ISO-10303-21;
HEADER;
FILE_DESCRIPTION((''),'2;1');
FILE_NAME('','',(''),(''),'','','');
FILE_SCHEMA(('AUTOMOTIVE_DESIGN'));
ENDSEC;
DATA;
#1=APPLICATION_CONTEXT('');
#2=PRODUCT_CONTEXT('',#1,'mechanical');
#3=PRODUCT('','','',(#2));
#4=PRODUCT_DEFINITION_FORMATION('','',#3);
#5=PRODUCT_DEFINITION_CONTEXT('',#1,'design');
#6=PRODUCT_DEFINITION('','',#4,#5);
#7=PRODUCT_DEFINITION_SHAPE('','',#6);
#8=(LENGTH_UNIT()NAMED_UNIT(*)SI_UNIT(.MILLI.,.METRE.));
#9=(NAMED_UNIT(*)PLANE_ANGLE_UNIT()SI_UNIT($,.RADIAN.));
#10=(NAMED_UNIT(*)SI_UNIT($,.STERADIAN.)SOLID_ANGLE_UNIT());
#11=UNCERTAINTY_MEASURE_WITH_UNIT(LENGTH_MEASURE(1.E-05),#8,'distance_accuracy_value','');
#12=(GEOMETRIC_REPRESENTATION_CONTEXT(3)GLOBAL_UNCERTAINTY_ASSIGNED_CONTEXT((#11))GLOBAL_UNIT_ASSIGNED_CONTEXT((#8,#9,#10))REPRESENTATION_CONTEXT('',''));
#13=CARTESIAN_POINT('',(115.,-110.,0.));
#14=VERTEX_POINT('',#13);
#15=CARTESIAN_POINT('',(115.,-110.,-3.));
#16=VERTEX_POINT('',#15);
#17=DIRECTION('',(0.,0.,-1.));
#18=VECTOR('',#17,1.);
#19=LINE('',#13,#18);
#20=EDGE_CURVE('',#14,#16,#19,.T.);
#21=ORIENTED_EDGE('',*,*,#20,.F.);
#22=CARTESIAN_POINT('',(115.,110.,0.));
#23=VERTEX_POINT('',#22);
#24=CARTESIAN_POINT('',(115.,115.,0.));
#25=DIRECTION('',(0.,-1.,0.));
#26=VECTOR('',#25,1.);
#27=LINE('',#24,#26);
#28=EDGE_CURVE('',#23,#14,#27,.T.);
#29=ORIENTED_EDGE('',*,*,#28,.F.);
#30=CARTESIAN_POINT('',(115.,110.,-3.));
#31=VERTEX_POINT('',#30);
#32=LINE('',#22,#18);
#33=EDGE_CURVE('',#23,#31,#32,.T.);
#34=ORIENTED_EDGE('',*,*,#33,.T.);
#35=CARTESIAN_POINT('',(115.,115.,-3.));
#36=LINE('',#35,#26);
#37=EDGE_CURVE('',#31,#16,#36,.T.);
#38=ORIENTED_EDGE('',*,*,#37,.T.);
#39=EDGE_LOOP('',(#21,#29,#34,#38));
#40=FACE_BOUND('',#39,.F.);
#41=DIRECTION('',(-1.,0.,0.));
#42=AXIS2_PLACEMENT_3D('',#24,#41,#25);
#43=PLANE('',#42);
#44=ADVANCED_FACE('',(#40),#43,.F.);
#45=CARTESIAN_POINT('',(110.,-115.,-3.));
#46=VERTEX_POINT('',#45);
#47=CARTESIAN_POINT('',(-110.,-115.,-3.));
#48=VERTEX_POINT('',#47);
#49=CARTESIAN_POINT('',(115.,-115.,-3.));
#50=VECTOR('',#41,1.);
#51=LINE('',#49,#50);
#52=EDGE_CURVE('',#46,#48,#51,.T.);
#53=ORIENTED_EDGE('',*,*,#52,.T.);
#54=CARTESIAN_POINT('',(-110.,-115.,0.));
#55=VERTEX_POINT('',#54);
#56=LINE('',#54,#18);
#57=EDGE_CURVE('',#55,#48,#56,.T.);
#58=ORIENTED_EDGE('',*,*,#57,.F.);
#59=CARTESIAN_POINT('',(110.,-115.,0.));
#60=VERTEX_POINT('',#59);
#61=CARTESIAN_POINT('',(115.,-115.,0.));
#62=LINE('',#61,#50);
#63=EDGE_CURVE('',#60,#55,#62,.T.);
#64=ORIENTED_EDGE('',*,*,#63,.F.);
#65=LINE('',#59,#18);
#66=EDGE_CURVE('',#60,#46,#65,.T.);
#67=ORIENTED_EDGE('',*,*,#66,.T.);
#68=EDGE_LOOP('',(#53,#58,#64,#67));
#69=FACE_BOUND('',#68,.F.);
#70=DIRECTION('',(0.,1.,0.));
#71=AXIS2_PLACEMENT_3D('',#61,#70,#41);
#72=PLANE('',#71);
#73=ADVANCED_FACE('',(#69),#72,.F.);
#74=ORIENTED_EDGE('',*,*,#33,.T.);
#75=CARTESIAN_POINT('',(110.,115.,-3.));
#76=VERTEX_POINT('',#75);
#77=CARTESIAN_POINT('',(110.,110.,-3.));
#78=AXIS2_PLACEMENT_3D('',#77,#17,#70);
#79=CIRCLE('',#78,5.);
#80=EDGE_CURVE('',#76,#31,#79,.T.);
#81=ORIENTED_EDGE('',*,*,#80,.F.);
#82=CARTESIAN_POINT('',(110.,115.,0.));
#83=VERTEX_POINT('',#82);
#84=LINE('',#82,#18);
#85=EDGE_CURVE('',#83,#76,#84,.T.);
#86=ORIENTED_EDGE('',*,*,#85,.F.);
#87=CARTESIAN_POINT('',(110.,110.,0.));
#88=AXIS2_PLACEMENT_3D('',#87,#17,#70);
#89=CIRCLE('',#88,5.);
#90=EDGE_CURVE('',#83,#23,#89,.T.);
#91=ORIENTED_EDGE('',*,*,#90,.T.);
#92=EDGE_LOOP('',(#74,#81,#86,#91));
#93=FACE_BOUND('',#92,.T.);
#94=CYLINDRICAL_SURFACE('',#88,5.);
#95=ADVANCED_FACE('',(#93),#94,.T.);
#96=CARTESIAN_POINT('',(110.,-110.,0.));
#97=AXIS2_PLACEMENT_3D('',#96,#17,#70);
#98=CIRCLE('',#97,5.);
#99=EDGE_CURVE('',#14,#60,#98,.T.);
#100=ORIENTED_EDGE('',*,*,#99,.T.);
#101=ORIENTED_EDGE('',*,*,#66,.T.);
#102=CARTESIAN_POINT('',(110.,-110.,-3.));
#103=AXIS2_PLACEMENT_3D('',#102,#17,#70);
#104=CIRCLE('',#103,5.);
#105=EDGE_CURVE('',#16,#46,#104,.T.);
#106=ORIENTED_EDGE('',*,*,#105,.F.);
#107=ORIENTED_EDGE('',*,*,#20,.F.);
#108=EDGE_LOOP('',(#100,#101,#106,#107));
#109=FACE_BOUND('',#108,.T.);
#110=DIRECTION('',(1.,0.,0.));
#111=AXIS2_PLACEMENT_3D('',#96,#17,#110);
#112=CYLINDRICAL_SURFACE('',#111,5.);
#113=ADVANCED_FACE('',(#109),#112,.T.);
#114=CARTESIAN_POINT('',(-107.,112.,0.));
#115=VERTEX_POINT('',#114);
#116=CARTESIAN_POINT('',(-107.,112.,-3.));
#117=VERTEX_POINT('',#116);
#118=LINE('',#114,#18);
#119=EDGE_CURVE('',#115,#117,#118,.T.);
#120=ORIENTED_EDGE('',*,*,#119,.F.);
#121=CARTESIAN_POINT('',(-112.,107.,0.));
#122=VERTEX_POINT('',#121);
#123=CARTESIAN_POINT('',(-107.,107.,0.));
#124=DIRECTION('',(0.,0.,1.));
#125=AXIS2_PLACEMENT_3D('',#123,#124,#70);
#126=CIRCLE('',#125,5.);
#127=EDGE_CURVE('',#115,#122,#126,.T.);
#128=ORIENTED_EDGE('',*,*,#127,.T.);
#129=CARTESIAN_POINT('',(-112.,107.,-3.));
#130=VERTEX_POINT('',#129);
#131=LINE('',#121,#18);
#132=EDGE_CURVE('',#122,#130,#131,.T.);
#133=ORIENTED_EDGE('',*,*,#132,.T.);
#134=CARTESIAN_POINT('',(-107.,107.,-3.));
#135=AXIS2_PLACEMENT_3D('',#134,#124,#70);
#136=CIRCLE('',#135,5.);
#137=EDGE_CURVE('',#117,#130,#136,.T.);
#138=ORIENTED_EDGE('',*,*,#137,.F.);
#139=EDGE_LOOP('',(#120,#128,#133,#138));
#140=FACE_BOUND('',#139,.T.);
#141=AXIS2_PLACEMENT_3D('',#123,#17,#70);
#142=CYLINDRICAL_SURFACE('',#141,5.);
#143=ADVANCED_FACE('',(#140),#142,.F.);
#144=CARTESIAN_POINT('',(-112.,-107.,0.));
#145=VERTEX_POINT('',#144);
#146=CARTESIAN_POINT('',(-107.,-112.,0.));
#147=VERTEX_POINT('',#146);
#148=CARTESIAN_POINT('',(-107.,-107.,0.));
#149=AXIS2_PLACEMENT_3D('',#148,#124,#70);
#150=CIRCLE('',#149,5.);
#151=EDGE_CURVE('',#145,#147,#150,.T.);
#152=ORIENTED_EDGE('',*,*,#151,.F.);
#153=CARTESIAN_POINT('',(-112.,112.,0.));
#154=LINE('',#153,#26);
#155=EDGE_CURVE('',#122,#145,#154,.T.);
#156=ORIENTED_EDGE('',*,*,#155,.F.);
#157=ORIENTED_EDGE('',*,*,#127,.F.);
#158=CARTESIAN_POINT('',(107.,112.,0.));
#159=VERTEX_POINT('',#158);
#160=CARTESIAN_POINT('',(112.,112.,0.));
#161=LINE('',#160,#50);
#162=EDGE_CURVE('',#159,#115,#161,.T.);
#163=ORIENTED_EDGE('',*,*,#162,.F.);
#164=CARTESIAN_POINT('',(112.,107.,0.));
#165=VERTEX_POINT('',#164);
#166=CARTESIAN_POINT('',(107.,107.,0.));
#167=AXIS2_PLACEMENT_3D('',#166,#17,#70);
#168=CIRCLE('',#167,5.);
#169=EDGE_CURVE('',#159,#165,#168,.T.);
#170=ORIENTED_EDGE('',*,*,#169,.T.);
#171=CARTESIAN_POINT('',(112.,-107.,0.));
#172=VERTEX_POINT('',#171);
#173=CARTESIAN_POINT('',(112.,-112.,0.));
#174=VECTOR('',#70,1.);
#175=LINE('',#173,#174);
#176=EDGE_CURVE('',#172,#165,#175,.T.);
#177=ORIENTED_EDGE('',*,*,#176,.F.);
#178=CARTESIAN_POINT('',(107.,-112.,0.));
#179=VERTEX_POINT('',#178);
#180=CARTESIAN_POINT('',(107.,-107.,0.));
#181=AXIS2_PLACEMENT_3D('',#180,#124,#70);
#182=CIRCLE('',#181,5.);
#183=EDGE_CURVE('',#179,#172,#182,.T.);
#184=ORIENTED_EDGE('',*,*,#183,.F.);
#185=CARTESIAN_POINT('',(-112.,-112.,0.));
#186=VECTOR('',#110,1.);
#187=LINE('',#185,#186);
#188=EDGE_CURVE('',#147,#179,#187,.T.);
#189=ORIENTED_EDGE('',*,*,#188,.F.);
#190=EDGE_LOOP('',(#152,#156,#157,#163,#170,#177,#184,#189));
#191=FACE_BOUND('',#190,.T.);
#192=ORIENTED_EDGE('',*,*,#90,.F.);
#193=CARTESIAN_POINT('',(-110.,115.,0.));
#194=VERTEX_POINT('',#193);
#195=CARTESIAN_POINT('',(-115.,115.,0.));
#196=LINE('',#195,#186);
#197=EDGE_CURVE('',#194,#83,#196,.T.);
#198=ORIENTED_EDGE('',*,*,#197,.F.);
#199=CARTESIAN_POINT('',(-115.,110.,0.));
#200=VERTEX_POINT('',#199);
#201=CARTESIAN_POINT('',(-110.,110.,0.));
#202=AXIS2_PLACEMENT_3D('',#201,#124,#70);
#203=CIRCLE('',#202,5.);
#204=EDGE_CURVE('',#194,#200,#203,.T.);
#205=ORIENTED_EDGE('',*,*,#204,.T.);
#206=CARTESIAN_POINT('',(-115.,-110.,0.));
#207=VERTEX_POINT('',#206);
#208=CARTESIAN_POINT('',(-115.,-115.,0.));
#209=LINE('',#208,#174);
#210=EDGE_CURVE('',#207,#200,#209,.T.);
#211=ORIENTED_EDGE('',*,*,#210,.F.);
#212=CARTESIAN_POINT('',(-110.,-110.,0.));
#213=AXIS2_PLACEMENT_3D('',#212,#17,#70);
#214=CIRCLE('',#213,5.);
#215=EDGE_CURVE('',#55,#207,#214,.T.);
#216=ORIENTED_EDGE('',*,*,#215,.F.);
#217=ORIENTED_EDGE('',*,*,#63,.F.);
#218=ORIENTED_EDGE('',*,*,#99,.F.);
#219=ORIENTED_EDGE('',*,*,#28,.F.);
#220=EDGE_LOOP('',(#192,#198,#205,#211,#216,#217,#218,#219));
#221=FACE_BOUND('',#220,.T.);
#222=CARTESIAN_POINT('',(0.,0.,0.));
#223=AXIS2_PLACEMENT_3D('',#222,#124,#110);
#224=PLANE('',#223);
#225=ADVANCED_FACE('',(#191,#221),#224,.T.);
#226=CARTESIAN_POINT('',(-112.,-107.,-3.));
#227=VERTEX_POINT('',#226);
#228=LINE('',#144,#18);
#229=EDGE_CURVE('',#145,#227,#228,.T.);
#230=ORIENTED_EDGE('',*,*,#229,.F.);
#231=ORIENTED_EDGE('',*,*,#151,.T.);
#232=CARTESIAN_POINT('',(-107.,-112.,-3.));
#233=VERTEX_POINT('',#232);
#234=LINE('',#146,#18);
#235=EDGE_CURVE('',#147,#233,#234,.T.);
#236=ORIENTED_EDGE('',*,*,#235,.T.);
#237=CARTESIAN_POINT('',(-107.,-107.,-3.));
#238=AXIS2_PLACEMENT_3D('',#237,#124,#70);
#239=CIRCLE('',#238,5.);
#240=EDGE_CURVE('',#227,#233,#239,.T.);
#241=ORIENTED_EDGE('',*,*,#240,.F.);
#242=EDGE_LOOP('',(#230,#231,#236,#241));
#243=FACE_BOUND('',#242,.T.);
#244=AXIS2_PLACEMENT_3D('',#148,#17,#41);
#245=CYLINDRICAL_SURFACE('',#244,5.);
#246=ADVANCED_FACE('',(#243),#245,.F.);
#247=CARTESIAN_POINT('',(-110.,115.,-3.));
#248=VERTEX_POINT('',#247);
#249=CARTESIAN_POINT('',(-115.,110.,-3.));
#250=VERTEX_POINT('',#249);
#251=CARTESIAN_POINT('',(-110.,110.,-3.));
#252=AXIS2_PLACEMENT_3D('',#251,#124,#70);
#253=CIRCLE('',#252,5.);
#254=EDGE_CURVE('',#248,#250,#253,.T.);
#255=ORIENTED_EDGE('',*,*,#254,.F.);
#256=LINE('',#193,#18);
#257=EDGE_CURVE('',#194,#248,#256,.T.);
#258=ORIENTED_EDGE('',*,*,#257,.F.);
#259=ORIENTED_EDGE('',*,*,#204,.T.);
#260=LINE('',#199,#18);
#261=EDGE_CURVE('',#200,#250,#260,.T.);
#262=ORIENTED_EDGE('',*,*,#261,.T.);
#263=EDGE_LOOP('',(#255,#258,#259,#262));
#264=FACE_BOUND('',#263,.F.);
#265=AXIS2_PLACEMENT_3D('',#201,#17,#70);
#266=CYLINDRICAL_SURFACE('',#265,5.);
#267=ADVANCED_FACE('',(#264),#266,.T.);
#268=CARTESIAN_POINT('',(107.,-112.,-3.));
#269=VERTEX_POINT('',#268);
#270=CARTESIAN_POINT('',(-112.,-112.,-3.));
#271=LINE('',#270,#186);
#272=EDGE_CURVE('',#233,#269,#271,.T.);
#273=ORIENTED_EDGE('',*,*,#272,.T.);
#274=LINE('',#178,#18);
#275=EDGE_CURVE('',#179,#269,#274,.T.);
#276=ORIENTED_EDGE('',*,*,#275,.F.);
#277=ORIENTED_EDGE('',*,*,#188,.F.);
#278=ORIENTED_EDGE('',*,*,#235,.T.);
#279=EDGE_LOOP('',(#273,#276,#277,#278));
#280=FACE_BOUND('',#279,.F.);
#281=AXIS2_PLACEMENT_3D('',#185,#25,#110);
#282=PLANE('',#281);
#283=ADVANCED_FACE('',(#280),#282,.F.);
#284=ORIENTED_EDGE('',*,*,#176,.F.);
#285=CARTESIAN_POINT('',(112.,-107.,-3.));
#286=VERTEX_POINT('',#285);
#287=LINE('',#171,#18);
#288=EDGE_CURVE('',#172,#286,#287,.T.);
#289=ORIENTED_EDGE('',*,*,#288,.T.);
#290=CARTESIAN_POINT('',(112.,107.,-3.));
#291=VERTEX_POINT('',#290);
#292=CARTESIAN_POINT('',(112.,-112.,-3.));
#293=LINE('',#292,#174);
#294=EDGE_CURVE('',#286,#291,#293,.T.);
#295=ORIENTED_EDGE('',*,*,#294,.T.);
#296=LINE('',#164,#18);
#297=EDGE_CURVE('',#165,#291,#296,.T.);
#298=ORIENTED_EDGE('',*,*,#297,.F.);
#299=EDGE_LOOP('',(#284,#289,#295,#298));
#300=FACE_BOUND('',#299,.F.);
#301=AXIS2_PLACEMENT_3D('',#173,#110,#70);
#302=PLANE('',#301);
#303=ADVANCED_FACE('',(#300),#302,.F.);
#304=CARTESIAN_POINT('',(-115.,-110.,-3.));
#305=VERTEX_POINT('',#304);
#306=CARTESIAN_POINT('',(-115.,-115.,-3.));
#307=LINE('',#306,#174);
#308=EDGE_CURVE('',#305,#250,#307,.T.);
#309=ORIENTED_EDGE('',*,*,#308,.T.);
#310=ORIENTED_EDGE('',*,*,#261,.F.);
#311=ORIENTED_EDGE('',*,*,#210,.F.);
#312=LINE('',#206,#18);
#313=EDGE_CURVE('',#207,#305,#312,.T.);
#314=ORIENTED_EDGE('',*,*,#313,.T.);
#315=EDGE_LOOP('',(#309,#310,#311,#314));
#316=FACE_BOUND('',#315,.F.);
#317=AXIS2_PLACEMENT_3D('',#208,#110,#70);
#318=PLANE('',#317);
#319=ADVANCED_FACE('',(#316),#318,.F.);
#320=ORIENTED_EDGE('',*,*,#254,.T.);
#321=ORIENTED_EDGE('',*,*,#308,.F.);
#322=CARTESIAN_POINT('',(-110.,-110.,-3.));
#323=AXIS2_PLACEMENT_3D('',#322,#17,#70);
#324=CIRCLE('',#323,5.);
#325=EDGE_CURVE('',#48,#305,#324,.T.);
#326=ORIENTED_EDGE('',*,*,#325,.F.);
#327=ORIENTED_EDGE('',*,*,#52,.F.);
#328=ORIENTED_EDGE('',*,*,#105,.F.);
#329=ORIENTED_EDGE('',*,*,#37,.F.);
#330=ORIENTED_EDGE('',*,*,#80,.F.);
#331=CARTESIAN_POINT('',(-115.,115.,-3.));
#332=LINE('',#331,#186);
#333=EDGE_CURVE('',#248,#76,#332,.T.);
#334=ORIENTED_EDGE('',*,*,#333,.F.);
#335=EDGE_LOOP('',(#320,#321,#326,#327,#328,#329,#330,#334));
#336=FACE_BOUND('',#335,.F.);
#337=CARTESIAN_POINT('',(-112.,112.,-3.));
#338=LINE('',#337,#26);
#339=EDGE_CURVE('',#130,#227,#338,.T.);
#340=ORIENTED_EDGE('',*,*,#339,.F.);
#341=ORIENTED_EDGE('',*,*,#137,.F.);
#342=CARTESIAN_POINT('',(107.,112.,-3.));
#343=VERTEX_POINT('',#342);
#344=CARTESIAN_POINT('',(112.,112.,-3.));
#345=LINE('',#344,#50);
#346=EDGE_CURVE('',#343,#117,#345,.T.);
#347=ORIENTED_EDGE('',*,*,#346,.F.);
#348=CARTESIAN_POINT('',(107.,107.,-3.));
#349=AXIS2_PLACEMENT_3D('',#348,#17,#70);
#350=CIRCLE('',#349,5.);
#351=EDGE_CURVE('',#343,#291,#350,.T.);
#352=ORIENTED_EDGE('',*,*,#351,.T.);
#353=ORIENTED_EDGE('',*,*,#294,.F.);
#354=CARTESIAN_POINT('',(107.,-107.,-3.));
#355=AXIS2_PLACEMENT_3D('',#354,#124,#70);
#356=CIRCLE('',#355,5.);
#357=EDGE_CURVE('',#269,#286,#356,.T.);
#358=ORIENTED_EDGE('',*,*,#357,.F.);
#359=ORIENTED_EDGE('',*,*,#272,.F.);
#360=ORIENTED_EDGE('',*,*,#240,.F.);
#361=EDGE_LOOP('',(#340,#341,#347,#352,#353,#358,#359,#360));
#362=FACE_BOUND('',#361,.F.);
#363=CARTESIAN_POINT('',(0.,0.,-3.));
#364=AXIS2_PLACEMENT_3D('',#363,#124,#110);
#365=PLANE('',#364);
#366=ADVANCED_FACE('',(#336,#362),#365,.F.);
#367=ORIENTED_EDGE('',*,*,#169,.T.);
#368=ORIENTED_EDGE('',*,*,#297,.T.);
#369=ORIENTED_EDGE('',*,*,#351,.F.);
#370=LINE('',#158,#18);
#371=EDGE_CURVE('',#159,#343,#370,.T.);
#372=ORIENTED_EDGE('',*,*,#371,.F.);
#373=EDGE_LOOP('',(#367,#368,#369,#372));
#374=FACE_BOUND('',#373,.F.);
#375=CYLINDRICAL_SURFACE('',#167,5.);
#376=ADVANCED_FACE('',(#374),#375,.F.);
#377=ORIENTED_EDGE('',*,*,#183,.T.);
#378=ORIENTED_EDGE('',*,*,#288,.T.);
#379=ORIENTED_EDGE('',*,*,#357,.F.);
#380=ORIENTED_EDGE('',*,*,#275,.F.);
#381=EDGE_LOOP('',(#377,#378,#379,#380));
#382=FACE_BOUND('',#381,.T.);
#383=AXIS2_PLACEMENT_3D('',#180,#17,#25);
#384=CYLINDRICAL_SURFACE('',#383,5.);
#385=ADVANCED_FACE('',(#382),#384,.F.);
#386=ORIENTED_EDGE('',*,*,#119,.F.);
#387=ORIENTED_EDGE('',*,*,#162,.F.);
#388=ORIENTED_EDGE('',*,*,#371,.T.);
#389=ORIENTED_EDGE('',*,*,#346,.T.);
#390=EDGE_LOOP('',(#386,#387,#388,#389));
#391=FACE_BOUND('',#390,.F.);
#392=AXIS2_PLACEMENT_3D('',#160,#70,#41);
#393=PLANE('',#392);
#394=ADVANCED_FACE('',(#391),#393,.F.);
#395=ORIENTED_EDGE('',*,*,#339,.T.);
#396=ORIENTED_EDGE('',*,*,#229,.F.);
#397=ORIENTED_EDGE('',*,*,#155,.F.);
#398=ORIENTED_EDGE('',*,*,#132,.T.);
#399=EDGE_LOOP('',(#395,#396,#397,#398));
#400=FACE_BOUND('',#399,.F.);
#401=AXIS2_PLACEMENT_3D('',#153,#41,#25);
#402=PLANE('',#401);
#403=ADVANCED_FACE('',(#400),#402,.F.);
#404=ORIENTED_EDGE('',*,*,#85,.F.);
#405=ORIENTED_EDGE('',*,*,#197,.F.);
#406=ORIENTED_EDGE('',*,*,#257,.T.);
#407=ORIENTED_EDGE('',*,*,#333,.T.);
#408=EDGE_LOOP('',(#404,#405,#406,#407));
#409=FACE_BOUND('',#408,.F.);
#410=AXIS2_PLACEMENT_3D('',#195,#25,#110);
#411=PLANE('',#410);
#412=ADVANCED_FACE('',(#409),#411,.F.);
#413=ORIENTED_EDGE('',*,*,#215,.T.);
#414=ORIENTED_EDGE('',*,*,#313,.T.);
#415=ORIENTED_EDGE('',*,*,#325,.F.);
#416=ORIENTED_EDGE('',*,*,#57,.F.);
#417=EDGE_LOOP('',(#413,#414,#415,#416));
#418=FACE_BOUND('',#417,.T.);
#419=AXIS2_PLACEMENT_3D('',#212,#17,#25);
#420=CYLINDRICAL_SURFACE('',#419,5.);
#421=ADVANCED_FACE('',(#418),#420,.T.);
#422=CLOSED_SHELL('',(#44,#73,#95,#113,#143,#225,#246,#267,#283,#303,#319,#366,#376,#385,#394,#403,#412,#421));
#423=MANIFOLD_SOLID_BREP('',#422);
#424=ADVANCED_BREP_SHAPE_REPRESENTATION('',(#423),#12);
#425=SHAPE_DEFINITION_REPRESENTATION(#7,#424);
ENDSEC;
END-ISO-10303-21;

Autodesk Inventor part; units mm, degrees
ref_plane "YZ Plane" through (0, 0, 0) normal (1, 0, 0) x (0, 1, 0)
ref_plane "XZ Plane" through (0, 0, 0) normal (0, 1, 0) x (-1, 0, 0)
ref_plane "XY Plane" through (0, 0, 0) normal (0, 0, 1) x (1, 0, 0)
sketch "Sketch1" plane through (0, 0, 0) normal (0, 0, 1) x (1, 0, 0)
  line L0 (-115, 115) -> (115, 115)
  line L1 (115, 115) -> (115, -115)
  line L2 (115, -115) -> (-115, -115)
  line L3 (-115, -115) -> (-115, 115)
  line L4 (112, 112) -> (-112, 112)
  line L5 (-112, 112) -> (-112, -112)
  line L6 (-112, -112) -> (112, -112)
  line L7 (112, -112) -> (112, 112)
  point P0 (0, 0)
  dimension "d0" = 230
  dimension "d1" = 230
  dimension "d2" = 115
  dimension "d3" = 115
  dimension "d4" = 3
extrude "Extrusion1" add sketch "Sketch1" against normal blind 3
fillet "Fillet1" radius 5 8 edges at (-115, 115, -1.5) (-112, 112, -1.5) (-112, -112, -1.5) (-115, -115, -1.5) (115, -115, -1.5) (112, -112, -1.5) (115, 115, -1.5) (112, 112, -1.5)
equation "\"d1\" = d0"
equation "\"d2\" = 0.5 * d0"
equation "\"d3\" = 0.5 * d0"
properties part number "border"
